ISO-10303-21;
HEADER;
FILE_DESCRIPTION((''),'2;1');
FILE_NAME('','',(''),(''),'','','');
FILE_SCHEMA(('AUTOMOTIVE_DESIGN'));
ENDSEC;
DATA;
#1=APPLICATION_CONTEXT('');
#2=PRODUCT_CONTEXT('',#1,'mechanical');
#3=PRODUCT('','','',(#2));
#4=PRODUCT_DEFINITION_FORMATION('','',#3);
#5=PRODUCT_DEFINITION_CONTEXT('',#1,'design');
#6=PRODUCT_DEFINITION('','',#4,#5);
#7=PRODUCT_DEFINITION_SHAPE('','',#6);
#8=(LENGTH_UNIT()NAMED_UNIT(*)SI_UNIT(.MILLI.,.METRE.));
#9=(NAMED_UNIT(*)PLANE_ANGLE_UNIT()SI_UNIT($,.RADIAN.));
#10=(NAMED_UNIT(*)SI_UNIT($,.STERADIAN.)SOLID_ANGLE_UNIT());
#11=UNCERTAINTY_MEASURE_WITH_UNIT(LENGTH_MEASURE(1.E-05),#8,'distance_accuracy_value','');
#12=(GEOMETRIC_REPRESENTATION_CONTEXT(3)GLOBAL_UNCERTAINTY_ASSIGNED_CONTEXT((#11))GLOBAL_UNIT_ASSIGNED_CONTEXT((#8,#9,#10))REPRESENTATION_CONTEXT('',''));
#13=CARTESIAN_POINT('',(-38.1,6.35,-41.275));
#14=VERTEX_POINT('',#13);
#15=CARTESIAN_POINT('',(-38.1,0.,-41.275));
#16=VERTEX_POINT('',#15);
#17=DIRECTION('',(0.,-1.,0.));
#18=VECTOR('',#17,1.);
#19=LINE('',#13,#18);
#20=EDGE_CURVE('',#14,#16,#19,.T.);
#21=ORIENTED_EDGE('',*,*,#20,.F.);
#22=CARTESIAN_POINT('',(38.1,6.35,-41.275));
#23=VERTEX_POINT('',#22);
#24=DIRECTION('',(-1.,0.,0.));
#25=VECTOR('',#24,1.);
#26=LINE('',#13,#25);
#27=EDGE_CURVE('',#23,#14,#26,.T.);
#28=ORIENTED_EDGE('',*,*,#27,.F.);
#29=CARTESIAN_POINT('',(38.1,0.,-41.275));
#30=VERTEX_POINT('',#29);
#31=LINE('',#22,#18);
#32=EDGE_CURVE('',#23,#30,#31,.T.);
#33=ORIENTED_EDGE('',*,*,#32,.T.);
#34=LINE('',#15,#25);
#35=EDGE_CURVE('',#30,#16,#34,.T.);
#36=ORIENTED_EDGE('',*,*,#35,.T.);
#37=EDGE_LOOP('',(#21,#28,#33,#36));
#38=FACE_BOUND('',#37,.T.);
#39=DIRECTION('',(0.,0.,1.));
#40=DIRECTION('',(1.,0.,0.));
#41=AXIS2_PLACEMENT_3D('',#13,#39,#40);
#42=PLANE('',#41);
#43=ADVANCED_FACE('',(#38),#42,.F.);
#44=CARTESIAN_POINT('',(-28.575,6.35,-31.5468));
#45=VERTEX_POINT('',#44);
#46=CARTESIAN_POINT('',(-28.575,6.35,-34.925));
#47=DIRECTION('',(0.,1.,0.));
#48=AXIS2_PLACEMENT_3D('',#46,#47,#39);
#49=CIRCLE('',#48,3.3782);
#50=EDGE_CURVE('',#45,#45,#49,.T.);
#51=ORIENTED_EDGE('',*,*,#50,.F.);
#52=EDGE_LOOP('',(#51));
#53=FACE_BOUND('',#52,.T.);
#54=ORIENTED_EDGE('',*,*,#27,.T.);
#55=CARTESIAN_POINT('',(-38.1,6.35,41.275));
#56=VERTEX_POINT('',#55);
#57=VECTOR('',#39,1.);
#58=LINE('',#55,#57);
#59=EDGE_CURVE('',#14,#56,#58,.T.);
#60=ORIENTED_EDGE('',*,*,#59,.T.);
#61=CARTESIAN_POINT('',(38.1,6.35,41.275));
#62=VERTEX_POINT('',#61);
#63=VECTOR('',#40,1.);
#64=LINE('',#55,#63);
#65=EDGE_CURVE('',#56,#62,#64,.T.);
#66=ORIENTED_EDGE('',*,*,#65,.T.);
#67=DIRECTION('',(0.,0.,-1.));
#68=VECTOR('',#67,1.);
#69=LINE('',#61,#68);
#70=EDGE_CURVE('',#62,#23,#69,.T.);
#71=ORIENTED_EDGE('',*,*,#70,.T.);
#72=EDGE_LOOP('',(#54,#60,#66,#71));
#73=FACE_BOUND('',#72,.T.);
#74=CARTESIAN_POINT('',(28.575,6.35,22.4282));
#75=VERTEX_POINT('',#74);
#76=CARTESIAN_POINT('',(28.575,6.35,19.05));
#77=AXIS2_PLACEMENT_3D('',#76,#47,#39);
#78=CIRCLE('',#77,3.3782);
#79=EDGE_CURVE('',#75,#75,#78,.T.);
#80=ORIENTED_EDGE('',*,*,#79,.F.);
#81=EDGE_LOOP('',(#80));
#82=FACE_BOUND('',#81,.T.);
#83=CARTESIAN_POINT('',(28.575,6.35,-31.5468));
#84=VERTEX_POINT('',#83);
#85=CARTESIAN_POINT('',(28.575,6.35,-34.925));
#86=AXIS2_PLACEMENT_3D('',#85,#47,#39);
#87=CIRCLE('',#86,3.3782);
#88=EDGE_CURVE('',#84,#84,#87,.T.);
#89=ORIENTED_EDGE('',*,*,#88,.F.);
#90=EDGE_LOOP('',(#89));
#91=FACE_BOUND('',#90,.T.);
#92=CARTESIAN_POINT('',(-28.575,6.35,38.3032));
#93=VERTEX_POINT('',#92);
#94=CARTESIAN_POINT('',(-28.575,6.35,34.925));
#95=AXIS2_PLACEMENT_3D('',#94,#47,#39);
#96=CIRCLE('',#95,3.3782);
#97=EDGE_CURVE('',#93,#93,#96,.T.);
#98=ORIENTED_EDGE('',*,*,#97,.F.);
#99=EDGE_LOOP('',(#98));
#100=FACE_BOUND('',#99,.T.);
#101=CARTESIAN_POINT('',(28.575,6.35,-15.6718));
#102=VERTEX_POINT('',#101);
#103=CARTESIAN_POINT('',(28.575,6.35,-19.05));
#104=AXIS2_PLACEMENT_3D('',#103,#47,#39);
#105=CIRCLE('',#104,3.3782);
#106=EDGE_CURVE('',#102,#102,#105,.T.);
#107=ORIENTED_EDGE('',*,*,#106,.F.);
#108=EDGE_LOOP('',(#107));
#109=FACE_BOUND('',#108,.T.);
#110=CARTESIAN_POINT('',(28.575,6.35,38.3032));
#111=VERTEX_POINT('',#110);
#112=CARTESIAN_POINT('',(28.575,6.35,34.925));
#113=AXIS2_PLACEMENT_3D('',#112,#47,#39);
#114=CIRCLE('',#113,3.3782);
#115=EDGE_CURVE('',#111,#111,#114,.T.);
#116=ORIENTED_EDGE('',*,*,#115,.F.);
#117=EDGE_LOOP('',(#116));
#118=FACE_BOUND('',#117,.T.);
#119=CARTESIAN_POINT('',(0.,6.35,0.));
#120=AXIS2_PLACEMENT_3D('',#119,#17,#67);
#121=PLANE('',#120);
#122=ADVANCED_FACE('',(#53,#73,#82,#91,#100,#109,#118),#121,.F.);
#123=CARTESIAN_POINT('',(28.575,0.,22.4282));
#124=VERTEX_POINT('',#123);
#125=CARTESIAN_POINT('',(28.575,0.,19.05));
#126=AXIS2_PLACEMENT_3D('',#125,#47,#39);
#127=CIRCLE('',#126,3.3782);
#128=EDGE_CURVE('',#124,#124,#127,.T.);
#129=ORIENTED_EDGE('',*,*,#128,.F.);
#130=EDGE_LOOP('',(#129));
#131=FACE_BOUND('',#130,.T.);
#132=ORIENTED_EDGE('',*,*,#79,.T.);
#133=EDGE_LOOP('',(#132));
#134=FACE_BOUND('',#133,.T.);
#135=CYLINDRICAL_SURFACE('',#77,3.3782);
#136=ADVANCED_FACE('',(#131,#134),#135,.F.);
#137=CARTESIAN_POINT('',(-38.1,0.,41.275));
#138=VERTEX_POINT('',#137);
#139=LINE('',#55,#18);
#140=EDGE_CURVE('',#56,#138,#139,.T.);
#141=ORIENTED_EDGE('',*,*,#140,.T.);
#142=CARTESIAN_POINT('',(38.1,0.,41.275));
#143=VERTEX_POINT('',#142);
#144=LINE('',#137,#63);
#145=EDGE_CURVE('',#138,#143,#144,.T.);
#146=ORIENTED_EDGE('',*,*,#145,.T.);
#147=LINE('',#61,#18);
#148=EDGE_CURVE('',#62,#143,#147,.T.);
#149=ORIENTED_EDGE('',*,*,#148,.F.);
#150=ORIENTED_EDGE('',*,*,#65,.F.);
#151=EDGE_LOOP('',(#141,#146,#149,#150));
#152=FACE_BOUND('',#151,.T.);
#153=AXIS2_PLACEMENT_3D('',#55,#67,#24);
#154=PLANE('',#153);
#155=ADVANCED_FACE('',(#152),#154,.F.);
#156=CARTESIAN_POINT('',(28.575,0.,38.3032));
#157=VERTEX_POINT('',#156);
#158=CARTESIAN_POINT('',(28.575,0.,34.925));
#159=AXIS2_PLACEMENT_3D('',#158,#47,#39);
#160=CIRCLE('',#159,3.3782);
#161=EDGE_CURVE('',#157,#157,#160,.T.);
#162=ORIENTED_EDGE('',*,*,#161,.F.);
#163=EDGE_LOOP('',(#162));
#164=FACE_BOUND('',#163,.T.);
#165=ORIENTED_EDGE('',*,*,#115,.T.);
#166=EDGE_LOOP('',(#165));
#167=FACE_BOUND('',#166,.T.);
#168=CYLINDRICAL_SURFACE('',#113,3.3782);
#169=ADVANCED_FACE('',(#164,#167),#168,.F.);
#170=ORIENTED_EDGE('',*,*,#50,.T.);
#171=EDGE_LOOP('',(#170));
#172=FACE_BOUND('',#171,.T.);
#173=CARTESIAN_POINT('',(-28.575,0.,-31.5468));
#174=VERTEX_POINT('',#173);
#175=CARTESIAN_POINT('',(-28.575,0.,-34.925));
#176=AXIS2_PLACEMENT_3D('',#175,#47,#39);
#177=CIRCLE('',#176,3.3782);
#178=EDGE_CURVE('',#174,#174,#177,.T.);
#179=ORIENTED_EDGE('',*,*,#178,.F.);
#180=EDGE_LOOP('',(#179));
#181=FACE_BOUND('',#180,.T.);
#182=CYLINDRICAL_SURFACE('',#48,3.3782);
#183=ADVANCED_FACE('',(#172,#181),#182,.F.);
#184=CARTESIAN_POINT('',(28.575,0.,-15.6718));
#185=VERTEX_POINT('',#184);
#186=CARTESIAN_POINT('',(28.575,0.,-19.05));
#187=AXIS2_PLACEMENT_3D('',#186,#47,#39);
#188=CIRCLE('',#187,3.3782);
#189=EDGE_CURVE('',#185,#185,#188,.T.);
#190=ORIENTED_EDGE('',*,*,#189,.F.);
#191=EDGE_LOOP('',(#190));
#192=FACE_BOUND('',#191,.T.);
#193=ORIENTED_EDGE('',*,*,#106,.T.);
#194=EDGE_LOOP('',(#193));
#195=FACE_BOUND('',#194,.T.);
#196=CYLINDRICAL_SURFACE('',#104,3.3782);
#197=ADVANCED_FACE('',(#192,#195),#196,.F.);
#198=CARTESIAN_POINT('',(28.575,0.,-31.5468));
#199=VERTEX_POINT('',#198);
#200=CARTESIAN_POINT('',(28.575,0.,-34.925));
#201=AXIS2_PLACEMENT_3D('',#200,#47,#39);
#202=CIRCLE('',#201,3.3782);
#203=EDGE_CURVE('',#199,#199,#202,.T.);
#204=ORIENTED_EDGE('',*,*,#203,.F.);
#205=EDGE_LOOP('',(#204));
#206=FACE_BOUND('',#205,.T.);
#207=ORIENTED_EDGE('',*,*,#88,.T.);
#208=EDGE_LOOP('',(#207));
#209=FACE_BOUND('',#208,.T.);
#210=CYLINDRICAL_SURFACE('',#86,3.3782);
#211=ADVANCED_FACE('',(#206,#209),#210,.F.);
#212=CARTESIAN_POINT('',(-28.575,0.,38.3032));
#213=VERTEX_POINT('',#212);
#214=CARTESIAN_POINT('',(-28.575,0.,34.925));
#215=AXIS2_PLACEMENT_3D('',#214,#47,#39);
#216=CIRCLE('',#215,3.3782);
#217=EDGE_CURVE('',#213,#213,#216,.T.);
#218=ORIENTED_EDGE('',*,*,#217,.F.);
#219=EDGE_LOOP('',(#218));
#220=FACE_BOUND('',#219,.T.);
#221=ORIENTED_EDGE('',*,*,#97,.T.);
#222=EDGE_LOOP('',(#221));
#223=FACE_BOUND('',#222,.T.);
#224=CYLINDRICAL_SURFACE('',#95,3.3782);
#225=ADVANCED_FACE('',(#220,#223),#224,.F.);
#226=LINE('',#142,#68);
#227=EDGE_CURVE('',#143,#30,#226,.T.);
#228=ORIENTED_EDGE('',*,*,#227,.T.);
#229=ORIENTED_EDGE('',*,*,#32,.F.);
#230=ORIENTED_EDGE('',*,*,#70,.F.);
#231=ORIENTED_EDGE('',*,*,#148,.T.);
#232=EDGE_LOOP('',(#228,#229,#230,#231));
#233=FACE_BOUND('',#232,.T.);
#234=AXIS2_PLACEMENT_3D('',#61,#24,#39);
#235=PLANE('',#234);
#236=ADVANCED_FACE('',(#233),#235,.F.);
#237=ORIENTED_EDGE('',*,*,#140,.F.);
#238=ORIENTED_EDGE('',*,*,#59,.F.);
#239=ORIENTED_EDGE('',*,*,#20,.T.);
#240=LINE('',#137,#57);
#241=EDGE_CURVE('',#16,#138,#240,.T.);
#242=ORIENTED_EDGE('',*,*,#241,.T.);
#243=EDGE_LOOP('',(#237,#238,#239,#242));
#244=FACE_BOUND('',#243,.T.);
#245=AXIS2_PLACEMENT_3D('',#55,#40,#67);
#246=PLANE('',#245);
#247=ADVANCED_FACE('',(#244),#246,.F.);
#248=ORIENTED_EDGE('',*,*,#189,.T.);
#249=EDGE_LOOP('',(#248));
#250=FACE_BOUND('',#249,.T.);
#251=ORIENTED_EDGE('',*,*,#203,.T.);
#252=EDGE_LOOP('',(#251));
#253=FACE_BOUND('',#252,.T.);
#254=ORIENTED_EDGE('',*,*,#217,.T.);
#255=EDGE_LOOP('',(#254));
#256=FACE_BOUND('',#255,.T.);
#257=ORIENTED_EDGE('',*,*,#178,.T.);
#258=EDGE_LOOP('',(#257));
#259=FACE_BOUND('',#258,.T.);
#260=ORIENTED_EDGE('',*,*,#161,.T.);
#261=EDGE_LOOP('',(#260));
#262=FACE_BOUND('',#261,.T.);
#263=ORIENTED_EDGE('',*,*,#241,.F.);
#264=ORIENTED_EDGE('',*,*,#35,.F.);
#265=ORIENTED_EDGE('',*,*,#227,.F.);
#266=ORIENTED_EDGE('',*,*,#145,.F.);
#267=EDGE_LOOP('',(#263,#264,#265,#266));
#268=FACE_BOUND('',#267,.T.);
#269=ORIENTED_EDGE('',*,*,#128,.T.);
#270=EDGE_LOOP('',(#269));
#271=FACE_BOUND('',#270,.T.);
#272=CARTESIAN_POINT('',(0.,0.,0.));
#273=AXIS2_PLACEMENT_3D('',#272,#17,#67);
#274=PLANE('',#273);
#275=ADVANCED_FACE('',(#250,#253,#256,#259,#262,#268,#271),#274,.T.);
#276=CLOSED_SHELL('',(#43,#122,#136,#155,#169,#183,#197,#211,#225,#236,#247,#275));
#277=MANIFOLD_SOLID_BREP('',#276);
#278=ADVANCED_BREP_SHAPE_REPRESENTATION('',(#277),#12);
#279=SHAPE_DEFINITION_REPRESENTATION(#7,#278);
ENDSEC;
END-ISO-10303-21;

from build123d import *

# Parameters (mm, degrees)
SKETCH1_W               = 76.2
SKETCH1_H               = 82.55
BOSS_EXTRUDE1_DEPTH     = 6.35
F_1_4_CLEARANCE_HOLE1_D = 6.7564


with BuildPart() as part:
    # Sketch1 → Boss-Extrude1 (new body)
    with BuildSketch(Plane(origin=(0, 0, 0), x_dir=(1, 0, 0), z_dir=(0, 1, 0))):
        Rectangle(SKETCH1_W, SKETCH1_H)
    extrude(amount=BOSS_EXTRUDE1_DEPTH)

    # 1/4 Clearance Hole1 (through all)
    with Locations(Plane(origin=(0, 6.35, 0), x_dir=(-1, 0, 0), z_dir=(0, 1, 0))):
        with Locations((28.575, -34.925), (-28.575, -34.925), (-28.575, -19.05), (-28.575, 19.05), (28.575, 34.925), (-28.575, 34.925)):
            Hole(F_1_4_CLEARANCE_HOLE1_D / 2)


solid = part.part
